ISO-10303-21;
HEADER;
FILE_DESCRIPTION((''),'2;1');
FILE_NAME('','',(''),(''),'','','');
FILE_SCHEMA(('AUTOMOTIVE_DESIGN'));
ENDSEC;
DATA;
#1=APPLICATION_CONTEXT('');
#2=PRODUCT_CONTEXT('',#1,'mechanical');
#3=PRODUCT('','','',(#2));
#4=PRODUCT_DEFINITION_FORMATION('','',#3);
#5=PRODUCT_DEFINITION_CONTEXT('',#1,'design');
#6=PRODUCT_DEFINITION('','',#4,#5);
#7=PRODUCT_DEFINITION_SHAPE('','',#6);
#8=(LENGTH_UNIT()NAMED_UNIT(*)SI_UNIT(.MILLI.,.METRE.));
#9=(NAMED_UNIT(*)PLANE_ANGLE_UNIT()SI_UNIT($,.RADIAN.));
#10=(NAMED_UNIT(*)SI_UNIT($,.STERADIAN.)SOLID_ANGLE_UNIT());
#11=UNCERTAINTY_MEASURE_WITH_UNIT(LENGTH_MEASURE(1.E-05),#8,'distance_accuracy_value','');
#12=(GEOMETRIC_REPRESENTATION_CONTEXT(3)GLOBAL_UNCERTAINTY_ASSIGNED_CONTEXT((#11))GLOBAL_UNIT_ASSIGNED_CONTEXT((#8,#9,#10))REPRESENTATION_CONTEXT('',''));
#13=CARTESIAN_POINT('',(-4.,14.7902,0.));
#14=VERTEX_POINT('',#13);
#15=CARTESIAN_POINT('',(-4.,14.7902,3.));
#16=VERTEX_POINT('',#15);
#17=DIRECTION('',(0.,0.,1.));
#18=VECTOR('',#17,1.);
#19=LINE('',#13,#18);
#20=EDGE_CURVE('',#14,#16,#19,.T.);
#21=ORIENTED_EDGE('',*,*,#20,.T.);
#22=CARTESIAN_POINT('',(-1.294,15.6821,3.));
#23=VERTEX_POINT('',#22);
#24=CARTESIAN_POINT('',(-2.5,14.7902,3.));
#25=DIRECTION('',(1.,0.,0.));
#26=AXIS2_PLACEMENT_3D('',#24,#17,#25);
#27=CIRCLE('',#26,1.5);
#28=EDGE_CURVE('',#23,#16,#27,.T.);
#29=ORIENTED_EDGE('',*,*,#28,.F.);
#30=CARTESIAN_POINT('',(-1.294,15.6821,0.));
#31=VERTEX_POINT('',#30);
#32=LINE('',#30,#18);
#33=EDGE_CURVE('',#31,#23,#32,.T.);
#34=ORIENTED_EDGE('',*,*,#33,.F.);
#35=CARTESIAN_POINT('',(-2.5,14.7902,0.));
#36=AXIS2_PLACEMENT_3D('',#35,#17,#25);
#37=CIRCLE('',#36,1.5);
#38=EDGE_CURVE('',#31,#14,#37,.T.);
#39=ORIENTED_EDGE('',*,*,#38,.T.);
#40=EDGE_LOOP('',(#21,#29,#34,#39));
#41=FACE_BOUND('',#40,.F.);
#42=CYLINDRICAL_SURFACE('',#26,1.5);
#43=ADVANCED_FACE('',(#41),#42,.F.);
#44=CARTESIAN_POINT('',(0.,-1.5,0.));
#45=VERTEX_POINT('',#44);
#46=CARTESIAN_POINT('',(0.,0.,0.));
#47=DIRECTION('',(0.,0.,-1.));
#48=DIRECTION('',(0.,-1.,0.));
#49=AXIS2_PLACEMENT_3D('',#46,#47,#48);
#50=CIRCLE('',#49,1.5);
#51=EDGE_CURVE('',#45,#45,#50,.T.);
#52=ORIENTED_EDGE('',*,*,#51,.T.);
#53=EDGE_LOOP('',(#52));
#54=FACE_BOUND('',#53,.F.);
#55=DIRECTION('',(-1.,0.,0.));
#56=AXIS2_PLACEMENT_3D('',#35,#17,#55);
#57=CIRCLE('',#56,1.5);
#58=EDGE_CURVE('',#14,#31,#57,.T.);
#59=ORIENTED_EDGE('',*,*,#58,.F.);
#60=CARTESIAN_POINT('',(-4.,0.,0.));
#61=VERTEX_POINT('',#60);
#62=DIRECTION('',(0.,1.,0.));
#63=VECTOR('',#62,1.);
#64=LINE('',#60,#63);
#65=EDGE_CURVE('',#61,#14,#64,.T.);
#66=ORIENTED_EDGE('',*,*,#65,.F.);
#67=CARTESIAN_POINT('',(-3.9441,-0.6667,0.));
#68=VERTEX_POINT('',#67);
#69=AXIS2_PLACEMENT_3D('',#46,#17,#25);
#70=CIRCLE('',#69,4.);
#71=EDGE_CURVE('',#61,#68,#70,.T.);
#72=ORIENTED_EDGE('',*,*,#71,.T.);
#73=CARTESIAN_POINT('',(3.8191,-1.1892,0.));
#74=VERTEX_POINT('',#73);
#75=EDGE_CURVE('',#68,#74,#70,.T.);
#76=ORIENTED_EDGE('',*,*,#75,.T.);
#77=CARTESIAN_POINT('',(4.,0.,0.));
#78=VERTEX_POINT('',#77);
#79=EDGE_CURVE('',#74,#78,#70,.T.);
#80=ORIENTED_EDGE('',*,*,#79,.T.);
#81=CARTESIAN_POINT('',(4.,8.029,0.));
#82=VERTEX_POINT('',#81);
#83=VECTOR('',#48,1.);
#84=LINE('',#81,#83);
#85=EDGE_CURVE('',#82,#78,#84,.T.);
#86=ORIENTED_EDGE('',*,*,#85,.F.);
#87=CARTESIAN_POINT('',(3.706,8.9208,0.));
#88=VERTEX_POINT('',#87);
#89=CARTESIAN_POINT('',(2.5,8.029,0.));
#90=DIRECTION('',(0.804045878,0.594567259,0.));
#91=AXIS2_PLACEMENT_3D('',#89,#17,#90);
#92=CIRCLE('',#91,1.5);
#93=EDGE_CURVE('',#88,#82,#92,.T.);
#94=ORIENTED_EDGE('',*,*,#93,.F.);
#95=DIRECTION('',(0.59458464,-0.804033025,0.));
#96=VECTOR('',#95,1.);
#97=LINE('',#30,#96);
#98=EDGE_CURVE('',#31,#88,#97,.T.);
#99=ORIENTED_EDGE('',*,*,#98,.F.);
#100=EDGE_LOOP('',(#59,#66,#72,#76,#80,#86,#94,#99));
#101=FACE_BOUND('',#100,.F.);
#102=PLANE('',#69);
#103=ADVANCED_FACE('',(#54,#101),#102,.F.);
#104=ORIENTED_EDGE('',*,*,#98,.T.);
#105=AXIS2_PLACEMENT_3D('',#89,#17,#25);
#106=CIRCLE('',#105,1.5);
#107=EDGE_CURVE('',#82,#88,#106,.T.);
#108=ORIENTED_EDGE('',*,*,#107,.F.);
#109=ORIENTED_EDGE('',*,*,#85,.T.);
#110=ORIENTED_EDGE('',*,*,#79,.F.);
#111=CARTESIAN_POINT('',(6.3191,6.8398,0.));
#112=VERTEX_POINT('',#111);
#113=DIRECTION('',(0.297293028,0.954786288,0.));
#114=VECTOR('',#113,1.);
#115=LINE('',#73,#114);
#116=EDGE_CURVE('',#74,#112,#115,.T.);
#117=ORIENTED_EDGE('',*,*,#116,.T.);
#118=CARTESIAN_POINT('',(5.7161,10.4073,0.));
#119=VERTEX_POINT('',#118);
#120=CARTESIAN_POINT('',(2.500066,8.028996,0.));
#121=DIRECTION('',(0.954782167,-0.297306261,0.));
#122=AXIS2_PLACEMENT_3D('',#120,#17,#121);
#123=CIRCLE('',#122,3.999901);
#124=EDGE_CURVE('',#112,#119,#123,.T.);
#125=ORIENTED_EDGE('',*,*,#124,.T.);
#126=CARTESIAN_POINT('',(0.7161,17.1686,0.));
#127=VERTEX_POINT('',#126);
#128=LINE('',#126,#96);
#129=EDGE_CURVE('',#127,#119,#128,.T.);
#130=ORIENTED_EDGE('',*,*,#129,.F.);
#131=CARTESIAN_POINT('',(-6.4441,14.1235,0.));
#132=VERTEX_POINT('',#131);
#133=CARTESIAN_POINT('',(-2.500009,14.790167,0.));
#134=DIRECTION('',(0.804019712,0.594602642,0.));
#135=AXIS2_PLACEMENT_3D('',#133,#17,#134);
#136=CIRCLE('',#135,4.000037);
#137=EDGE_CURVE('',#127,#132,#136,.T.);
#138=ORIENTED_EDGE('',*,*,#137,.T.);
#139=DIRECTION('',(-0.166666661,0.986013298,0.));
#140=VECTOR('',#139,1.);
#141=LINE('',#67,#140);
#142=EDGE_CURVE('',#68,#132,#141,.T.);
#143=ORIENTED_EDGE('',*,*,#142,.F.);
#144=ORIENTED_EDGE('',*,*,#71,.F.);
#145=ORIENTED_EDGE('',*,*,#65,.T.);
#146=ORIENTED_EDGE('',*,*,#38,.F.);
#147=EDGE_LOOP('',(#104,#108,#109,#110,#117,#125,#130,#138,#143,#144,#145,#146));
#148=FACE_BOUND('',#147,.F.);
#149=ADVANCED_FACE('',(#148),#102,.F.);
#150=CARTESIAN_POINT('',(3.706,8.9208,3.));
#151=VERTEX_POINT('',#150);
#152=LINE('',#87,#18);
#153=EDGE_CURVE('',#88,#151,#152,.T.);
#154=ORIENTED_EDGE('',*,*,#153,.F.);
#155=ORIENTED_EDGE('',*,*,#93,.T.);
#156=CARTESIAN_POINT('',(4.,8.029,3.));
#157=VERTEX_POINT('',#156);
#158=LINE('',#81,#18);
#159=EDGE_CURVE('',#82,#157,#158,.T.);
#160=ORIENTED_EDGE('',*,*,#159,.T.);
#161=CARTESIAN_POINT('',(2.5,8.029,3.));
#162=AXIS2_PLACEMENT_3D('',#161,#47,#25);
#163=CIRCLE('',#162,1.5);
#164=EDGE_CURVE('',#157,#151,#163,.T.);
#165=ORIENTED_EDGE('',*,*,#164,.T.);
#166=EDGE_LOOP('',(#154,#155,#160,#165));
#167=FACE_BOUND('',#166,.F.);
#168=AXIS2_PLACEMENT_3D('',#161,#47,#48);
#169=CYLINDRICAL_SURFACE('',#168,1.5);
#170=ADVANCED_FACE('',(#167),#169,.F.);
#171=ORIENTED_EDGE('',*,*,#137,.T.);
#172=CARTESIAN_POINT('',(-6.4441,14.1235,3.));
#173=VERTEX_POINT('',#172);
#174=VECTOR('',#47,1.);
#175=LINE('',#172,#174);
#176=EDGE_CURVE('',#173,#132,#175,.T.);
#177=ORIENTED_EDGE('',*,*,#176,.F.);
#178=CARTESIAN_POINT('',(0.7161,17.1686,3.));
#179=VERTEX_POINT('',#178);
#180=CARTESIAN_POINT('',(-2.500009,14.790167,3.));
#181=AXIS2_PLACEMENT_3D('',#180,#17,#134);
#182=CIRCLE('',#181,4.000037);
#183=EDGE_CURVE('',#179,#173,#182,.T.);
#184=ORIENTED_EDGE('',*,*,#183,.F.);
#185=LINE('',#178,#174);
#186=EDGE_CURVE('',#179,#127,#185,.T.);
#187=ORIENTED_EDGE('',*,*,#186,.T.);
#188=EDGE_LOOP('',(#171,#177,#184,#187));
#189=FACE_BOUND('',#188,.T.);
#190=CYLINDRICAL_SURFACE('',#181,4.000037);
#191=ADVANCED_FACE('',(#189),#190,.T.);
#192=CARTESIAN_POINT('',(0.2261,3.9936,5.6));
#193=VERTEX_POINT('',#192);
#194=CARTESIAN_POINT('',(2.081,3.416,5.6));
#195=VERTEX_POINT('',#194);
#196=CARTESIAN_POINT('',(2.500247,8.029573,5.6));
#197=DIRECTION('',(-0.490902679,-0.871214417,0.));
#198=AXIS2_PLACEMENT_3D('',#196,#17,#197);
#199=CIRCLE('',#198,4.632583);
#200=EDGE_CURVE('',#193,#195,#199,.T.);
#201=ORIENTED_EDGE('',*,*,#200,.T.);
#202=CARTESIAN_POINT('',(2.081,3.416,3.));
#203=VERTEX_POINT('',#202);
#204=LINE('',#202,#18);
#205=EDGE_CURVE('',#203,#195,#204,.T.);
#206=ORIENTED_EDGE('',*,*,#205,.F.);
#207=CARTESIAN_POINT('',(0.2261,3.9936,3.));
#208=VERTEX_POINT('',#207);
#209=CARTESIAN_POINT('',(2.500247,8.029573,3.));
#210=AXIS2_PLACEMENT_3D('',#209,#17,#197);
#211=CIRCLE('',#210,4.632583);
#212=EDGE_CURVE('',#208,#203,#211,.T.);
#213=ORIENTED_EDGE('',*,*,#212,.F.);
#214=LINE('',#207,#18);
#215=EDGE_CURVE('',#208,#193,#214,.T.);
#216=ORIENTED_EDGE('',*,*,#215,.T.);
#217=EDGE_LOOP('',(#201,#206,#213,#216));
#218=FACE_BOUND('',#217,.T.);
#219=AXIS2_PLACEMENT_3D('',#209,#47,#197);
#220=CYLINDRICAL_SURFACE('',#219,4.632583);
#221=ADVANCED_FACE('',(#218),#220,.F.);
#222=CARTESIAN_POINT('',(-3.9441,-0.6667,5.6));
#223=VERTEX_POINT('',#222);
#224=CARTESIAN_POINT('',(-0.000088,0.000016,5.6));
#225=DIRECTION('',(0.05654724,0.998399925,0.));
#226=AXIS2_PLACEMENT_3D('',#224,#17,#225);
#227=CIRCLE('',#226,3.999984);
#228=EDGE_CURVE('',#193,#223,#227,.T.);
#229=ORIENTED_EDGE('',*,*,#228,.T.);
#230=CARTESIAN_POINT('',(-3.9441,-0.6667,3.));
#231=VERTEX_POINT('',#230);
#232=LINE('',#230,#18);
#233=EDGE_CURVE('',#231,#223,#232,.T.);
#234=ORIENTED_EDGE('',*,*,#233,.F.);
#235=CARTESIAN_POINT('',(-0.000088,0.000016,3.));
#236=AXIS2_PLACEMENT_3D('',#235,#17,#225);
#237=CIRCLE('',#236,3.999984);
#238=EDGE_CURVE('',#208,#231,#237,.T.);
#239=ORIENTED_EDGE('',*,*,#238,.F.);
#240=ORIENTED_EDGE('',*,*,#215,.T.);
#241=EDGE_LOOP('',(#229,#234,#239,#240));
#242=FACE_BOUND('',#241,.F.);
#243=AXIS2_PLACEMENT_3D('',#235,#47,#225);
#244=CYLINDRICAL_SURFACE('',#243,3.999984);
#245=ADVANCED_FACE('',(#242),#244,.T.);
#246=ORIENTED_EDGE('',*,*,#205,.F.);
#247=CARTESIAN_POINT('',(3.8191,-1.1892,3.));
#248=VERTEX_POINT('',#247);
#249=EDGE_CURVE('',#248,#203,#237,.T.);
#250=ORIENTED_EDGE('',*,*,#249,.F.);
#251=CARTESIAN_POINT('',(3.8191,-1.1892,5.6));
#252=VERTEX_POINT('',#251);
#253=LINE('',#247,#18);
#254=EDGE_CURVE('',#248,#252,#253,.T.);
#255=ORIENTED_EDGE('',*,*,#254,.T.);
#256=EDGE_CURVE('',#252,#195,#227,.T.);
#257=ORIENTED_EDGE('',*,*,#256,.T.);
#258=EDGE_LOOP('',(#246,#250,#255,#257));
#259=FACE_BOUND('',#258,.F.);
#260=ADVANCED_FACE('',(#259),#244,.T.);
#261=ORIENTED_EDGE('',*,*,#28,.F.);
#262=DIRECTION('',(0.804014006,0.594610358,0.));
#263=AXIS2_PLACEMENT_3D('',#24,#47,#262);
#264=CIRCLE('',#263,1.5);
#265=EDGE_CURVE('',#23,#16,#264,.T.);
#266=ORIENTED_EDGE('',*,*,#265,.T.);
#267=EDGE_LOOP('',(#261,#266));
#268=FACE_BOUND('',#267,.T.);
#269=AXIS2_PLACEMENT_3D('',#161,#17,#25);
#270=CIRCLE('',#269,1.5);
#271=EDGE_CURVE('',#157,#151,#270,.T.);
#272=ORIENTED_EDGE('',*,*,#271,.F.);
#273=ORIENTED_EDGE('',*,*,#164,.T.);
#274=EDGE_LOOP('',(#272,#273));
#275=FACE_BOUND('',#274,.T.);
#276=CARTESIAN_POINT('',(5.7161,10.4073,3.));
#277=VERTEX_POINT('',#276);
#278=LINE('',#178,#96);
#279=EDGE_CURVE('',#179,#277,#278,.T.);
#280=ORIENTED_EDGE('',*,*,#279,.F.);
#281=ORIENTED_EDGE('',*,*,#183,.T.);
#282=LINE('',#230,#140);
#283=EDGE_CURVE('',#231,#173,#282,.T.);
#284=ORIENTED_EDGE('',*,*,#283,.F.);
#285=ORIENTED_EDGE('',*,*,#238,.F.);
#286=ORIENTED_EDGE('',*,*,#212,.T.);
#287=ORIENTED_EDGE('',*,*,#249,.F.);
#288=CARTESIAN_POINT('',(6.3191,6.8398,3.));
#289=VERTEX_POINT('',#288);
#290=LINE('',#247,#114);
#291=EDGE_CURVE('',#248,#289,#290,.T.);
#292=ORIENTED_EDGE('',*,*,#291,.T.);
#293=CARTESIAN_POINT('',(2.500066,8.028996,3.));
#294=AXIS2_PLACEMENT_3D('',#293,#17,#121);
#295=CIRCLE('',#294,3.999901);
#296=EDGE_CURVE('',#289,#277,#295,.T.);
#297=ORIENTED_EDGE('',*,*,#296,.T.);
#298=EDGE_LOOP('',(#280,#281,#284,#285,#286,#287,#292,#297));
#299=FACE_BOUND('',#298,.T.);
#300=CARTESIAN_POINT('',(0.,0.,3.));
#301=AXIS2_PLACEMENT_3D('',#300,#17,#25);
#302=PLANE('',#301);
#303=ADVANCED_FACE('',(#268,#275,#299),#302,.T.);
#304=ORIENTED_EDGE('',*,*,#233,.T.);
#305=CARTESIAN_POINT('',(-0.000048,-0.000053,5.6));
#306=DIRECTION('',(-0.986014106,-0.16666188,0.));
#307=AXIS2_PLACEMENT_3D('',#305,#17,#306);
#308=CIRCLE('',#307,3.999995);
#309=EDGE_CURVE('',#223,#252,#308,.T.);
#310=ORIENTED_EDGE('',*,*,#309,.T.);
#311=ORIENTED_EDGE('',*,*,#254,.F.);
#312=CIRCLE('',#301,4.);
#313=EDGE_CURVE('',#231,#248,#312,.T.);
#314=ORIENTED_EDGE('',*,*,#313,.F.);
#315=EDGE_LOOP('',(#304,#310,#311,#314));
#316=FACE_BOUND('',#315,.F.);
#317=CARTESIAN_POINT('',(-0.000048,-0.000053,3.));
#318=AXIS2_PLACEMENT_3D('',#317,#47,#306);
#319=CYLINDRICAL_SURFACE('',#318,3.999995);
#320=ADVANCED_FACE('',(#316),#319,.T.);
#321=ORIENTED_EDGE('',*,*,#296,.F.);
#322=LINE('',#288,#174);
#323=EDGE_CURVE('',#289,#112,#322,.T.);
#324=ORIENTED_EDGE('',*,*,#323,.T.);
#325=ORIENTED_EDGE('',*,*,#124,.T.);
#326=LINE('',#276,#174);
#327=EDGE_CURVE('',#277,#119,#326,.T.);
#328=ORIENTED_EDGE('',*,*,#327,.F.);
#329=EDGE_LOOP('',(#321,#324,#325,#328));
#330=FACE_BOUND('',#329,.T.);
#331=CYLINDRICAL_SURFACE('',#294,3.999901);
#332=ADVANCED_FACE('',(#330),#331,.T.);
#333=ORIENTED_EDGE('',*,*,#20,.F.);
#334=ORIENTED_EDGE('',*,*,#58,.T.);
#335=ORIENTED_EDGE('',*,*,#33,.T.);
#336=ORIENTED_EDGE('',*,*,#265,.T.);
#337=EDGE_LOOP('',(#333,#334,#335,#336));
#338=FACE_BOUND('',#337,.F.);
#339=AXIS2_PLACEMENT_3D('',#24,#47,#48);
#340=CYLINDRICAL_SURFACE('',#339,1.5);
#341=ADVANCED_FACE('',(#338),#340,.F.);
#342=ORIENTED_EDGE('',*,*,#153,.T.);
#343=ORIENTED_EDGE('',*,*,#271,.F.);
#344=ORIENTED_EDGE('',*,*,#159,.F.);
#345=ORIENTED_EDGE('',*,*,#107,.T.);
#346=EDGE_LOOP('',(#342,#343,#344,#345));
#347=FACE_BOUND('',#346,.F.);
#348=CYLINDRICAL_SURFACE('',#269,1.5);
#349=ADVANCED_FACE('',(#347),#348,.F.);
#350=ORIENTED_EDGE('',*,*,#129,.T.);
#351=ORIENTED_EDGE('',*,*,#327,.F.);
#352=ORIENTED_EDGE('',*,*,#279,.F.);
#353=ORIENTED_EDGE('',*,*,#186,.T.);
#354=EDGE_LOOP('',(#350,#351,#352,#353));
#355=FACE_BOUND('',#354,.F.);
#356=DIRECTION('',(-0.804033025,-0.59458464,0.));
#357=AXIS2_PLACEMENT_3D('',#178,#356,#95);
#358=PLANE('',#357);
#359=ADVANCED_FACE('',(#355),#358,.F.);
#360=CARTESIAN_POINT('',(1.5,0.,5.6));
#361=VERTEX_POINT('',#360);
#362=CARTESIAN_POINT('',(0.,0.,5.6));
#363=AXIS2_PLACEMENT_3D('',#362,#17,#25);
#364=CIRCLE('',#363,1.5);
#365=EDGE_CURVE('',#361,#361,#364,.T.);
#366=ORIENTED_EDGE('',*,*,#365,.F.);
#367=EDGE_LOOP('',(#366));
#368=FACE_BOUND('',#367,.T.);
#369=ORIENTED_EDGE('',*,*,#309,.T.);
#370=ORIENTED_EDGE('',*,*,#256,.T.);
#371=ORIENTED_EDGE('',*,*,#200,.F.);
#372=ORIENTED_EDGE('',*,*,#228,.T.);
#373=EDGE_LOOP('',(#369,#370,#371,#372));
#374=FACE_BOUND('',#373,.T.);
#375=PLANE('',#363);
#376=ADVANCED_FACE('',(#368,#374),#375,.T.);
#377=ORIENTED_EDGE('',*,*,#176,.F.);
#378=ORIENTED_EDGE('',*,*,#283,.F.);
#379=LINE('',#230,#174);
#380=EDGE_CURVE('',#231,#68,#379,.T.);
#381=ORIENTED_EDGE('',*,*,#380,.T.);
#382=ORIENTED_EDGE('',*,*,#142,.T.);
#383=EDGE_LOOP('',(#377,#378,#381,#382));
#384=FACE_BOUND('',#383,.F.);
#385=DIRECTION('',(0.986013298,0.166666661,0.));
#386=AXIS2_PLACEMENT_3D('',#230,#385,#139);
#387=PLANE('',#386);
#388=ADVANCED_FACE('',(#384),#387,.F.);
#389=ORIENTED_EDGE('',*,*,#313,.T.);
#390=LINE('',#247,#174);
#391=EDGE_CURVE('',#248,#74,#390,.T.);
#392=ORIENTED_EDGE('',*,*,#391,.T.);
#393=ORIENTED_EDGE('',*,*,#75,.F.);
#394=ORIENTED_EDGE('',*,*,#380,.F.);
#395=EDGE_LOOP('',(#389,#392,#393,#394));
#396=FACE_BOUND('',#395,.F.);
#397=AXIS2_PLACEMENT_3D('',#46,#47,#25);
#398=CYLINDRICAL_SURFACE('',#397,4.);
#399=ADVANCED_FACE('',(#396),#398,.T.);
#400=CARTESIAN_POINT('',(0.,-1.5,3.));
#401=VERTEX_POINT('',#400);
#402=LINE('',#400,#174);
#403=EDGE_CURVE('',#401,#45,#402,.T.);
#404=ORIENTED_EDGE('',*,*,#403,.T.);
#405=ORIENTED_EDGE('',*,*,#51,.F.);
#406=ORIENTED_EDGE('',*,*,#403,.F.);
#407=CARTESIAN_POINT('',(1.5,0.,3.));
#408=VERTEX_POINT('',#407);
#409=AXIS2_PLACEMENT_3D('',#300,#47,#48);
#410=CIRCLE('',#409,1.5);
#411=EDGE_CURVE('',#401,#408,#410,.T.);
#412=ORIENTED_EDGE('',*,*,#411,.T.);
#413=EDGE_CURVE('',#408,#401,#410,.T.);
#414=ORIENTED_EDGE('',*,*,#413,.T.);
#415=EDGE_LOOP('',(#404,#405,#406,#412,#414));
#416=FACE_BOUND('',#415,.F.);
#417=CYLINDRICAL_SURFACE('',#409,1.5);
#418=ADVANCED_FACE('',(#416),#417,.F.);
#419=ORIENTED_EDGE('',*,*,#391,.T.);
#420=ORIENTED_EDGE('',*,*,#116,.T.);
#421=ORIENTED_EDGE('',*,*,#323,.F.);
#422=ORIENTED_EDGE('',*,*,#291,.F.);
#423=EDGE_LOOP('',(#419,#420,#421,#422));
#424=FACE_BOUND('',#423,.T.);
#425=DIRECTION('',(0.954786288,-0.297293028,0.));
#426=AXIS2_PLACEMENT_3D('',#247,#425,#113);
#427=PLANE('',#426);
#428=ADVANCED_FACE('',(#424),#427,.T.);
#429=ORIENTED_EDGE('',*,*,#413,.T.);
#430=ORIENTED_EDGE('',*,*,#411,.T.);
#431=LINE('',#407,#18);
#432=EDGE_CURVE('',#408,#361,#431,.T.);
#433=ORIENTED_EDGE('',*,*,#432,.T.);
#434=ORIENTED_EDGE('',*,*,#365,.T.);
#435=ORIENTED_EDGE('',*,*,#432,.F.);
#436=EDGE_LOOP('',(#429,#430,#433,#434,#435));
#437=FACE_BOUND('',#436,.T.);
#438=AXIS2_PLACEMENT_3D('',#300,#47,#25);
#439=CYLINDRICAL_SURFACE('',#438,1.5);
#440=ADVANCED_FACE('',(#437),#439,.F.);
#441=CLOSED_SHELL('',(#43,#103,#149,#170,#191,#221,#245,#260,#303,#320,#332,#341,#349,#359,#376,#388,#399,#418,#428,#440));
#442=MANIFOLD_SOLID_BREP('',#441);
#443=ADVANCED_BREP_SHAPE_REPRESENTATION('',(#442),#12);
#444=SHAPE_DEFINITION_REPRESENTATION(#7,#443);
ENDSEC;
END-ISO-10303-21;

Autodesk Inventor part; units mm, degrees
ref_plane "YZ Plane" through (0, 0, 0) normal (1, 0, 0) x (0, 1, 0)
ref_plane "XZ Plane" through (0, 0, 0) normal (0, 1, 0) x (-1, 0, 0)
ref_plane "XY Plane" through (0, 0, 0) normal (0, 0, 1) x (1, 0, 0)
sketch "Skizze1" plane through (0, 0, 0) normal (0, 0, 1) x (1, 0, 0)
  circle A0 centre (0, 0) radius 4
  circle A1 centre (-2.5, 14.7902) radius 1.5
  circle A2 centre (2.5, 8.029) radius 1.5
  line L0 (-4, 0) -> (-4, 14.7902)
  line L1 (-1.294, 15.6821) -> (3.706, 8.9208)
  line L2 (4, 8.029) -> (4, 0)
  line L3 (0, 0) -> (-2.5, 14.7902) construction
  line L4 (2.5, 8.029) -> (-1.25, 7.3951) construction
  dimension "d0" = 8
  dimension "d1" = 3
  dimension "d3" = 15
extrude "Extrusion1" add sketch "Skizze1" along normal blind 3
sketch "Skizze2" plane through (0, 0, 3) normal (0, 0, 1) x (1, 0, 0)
  arc A0 (4, 8.029) -> (3.706, 8.9208) centre (2.5, 8.029) ccw projected
  arc A1 (-1.294, 15.6821) -> (-4, 14.7902) centre (-2.5, 14.7902) ccw projected
  arc A2 (-4, 0) -> (4, 0) centre (0, 0) ccw projected
hole "Bohrung1" at (2.5, 8.029, 3) at (-2.5, 14.7902, 3) at (0, 0, 3) direction (0, 0, -1) diameter 3 end through all
sketch "Skizze3" plane through (0, 0, 3) normal (0, 0, 1) x (1, 0, 0)
  circle A0 centre (-2.5, 14.7902) radius 1.5 projected
  circle A1 centre (2.5, 8.029) radius 1.5 projected
  arc A2 (4, 8.029) -> (3.706, 8.9208) centre (2.5, 8.029) ccw projected
  line L0 (3.706, 8.9208) -> (-1.294, 15.6821) projected
  arc A3 (-1.294, 15.6821) -> (-4, 14.7902) centre (-2.5, 14.7902) ccw projected
  line L1 (-4, 14.7902) -> (-4, 0) projected
  arc A4 (-4, 0) -> (4, 0) centre (0, 0) ccw projected
  line L2 (4, 0) -> (4, 8.029) projected
  arc A5 (0.7161, 17.1686) -> (-6.4441, 14.1235) centre (-2.5, 14.7902) ccw
  arc A6 (6.3191, 6.8398) -> (5.7161, 10.4073) centre (2.5, 8.029) ccw
  arc A7 (-3.9441, -0.6667) -> (3.8191, -1.1892) centre (0, 0) ccw
  line L3 (3.8191, -1.1892) -> (6.3191, 6.8398)
  line L4 (-3.9441, -0.6667) -> (-6.4441, 14.1235)
  line L5 (0.7161, 17.1686) -> (5.7161, 10.4073)
  circle A8 centre (0, 0) radius 1.5 projected
  dimension "d13" = 2.5
  dimension "d14" = 2.5
  dimension "d24" = 2.5
extrude "Extrusion2" add sketch "Skizze3" against normal up to surface (3 mm away) contours A0 L1 A4 L4 A5 L5 A6 L3 L2 A1 L0
sketch "Skizze4" plane through (0, 0, 3) normal (0, 0, 1) x (1, 0, 0)
  arc A0 (6.3191, 6.8398) -> (5.7161, 10.4073) centre (2.5, 8.029) ccw projected
  arc A1 (0.7161, 17.1686) -> (-6.4441, 14.1235) centre (-2.5, 14.7902) ccw projected
  arc A2 (0.2281, 11.8649) -> (-0.5021, 11.3249) centre (2.5, 8.029) ccw
  arc A3 (0.2281, 11.8649) -> (0.7161, 17.1686) centre (-2.5, 14.7902) ccw
  arc A4 (-6.4441, 14.1235) -> (-0.5021, 11.3249) centre (-2.5, 14.7902) ccw
  circle A5 centre (2.5, 8.029) radius 1.5 projected
  arc A6 (-3.9441, -0.6667) -> (3.8191, -1.1892) centre (0, 0) ccw projected
  arc A7 (0.2261, 3.9936) -> (2.081, 3.416) centre (0, 0) ccw
  arc A8 (0.2261, 3.9936) -> (2.081, 3.416) centre (2.5, 8.029) ccw
  circle A9 centre (0, 0) radius 1.5 projected
extrude "Extrusion3" add sketch "Skizze4" along normal blind 2.6 contours A7 A8 A6
equation "\"d0\" = 2 * bearingWall"
equation "\"d1\" = bearingHole"
equation "\"d3\" = Hebel_basis_2"
equation "\"d4\" = Join_width"
equation "\"d6\" = bearingHole"
equation "\"d13\" = d24"
equation "\"d14\" = d13"
equation "\"FingerLaenge_B\" = 25"
equation "\"Hebel_B\" = 25"
equation "\"Finger_width\" = 22"
equation "\"Finger_diameter\" = 8"
equation "\"FingerWall\" = 3"
equation "\"Hebel_basis_2\" = 15"
equation "\"Join_width\" = 3"
equation "\"bearingHole\" = 3"
equation "\"bearingWall\" = 4"
equation "\"support_D\" = 0.25"
properties part number "3_hebenMount_2_dual"
